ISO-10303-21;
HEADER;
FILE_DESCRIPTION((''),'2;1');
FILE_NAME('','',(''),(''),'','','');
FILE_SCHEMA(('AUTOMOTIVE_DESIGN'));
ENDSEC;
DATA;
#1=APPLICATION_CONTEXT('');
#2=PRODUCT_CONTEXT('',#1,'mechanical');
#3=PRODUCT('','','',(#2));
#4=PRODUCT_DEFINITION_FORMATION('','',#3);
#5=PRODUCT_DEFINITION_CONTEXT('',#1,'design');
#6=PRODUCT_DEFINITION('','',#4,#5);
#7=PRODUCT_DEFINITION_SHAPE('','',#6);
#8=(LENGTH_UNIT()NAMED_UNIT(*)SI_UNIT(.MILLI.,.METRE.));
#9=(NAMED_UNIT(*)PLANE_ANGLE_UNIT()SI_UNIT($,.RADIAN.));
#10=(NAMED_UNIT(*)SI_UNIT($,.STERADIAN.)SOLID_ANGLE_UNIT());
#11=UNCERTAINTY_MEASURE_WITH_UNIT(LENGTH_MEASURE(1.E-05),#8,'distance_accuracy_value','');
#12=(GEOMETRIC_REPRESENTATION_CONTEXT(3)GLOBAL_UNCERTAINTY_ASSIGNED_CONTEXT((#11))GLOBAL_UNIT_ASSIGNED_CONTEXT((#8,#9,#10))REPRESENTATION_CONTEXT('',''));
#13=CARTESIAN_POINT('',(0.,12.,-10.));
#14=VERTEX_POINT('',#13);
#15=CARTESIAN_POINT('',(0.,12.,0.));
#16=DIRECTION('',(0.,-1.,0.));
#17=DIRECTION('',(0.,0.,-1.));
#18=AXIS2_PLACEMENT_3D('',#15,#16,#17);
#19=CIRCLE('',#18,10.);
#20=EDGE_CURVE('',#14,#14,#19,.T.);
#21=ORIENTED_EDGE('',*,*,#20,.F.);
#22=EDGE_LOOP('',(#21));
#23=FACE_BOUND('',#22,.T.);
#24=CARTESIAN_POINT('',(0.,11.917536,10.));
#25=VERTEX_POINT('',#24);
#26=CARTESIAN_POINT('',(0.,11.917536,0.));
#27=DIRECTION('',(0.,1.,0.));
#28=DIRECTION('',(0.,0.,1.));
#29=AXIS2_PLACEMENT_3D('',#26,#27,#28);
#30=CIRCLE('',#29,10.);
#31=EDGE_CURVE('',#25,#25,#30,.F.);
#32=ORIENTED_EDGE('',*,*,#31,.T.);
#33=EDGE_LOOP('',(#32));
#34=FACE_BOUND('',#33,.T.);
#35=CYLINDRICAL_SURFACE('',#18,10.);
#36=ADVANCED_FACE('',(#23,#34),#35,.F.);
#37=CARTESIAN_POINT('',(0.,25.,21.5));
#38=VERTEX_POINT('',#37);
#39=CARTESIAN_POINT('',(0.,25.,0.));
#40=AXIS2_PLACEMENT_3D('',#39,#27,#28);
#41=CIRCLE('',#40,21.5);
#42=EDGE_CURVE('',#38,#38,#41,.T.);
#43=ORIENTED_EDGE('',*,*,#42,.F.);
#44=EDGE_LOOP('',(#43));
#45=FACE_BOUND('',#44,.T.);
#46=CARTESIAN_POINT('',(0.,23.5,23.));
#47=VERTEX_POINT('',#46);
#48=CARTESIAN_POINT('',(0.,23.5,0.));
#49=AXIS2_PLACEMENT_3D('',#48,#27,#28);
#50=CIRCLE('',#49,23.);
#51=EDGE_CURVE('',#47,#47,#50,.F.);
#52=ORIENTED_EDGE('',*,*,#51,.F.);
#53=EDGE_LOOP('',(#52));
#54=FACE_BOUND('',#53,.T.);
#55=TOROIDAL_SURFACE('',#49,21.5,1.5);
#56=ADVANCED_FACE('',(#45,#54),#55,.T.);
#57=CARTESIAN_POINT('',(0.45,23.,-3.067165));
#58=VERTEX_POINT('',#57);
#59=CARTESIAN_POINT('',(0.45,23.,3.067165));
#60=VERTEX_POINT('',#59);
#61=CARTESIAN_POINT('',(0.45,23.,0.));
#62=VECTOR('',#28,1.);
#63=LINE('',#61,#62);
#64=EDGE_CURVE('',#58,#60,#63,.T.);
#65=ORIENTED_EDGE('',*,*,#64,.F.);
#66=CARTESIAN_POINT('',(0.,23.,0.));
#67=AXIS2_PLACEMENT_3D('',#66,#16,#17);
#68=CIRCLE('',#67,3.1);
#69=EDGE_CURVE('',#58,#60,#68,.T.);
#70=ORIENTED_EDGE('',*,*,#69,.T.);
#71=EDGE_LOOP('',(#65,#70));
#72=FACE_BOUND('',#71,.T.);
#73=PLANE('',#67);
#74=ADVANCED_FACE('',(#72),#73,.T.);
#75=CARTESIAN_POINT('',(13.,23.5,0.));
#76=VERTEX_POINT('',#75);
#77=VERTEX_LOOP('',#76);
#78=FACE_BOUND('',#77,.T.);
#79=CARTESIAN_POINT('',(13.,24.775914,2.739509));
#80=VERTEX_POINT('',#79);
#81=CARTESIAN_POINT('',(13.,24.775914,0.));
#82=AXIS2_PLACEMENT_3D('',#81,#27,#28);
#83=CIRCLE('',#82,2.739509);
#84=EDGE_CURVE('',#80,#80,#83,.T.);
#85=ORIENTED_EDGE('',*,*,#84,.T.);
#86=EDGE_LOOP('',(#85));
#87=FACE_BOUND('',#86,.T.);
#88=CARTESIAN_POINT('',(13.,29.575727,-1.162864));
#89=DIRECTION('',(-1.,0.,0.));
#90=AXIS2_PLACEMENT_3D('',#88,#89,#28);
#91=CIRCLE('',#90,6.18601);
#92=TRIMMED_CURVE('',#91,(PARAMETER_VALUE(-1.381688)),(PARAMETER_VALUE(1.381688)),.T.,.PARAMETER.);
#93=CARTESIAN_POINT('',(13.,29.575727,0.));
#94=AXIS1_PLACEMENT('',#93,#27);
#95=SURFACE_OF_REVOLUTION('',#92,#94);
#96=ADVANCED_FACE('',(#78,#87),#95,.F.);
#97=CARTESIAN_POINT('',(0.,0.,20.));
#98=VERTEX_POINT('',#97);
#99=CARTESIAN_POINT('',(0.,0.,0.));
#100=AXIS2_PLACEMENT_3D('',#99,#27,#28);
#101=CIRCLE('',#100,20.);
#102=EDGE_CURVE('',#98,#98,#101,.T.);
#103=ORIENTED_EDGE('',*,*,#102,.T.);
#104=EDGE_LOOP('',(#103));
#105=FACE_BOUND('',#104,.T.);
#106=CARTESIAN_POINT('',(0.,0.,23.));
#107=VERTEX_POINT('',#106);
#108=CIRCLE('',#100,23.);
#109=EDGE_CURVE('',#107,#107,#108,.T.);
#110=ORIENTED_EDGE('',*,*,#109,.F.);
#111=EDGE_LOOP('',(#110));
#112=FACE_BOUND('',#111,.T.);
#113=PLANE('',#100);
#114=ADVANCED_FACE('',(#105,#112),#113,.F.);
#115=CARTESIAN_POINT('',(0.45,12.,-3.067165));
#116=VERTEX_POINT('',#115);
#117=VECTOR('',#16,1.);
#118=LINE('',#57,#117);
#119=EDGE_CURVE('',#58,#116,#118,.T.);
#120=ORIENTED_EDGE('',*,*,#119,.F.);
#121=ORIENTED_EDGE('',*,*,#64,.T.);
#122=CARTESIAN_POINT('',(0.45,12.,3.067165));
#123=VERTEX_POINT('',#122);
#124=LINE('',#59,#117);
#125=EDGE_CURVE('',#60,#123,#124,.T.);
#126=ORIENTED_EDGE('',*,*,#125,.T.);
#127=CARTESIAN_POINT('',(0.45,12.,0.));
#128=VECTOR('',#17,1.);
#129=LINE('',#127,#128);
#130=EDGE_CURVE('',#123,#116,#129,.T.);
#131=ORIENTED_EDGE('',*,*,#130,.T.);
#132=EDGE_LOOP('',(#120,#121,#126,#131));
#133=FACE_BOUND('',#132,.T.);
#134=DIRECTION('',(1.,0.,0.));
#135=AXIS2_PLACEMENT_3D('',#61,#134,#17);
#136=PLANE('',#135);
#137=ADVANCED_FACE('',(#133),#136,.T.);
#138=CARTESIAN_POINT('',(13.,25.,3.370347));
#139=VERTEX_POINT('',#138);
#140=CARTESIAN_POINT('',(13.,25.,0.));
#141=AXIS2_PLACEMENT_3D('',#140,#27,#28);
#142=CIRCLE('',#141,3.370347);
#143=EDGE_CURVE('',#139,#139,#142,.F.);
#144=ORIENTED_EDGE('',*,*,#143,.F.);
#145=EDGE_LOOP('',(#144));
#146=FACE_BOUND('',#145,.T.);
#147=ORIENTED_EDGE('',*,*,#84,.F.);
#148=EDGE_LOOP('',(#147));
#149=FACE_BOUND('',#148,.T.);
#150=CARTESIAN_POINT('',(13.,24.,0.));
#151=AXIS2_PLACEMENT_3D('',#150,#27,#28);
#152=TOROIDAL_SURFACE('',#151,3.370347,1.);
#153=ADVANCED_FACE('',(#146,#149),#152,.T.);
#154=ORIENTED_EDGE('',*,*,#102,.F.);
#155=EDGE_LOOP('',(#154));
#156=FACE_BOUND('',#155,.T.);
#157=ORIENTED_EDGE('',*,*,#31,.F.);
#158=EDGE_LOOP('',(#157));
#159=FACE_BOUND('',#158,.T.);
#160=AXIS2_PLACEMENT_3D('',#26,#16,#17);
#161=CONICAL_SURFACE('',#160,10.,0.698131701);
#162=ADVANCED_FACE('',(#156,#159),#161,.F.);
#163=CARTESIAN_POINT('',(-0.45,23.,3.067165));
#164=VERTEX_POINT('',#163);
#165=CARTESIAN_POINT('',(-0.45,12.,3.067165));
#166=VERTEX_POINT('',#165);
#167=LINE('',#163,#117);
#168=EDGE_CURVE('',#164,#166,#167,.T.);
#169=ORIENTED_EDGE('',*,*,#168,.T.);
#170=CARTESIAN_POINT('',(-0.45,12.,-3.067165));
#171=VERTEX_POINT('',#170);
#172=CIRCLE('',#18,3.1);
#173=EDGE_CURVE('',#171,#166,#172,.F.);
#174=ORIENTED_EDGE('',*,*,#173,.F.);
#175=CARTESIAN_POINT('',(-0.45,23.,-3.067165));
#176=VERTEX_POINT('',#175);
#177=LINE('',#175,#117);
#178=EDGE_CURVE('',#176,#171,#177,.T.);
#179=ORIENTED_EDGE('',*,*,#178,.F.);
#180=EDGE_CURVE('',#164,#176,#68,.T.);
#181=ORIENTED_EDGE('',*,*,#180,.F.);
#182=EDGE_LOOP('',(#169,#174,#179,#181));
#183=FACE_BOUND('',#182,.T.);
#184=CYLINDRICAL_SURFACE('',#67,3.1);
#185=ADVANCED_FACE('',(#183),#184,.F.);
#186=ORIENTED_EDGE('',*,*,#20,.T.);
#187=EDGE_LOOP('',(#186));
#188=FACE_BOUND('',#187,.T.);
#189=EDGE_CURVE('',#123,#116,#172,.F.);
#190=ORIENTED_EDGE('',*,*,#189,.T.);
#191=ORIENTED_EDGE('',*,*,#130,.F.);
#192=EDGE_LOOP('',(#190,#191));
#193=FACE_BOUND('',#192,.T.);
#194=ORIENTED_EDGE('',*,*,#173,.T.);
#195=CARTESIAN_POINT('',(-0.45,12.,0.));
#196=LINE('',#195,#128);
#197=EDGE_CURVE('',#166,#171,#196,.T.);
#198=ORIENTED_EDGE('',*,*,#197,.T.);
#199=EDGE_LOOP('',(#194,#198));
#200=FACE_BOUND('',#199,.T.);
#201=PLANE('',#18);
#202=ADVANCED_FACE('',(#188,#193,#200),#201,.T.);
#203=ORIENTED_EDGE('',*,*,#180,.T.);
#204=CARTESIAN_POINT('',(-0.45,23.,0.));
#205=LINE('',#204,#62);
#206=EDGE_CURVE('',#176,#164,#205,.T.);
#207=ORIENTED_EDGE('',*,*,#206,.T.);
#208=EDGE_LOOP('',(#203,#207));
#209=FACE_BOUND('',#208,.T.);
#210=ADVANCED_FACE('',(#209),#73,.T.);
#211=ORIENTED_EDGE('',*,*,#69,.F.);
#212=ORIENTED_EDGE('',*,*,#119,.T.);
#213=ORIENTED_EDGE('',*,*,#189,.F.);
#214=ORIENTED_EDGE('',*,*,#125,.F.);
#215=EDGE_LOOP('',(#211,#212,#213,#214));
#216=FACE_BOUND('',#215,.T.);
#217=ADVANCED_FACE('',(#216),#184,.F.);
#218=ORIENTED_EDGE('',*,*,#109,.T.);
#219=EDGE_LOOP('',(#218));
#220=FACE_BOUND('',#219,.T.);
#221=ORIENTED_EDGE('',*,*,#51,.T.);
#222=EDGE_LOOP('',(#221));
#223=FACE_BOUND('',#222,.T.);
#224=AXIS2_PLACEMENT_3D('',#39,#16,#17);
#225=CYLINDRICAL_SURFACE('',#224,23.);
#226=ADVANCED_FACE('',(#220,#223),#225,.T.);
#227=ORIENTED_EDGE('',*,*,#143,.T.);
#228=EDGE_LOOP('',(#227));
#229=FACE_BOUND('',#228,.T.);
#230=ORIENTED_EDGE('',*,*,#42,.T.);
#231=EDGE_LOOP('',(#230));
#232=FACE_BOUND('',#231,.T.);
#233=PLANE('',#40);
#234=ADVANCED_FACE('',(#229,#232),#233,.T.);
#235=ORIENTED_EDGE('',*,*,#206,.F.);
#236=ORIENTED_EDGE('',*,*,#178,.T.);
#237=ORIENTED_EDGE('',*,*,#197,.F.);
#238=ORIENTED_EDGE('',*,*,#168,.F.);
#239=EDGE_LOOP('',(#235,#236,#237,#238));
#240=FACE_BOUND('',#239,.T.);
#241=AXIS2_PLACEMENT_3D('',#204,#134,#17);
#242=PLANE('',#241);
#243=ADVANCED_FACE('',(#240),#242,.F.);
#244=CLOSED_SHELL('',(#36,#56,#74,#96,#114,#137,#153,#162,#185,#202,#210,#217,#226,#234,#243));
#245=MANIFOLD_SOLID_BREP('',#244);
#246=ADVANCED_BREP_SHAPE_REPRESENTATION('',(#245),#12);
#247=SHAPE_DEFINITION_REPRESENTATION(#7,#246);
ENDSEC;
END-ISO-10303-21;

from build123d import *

# Parameters (mm, degrees)
SKETCH1_R           = 23
BOSS_EXTRUDE1_DEPTH = 25
CUT_EXTRUDE1_DEPTH  = 23
SKETCH4_R           = 10
CUT_EXTRUDE2_DEPTH  = 12
CHAMFER1_SIZE       = 10
CHAMFER1_SIZE2      = 11.917535926
FILLET1_R           = 1.5
FILLET2_R           = 1


with BuildPart() as part:
    # Sketch1 → Boss-Extrude1 (new body)
    with BuildSketch(Plane(origin=(0, 0, 0), x_dir=(1, 0, 0), z_dir=(0, 1, 0))):
        with Locations(Location((0, 0, 0), (0, 0, 270))):
            Circle(SKETCH1_R)
    extrude(amount=BOSS_EXTRUDE1_DEPTH)

    # Sketch3 → Cut-Extrude1 (cut)
    with BuildSketch(Plane(origin=(0, 0, 0), x_dir=(-1, 0, 0), z_dir=(0, -1, 0))):
        with BuildLine():
            Line((-0.45, -3.067164815), (-0.45, 3.067164815))
            ThreePointArc((-0.45, 3.067164815), (-3.1, 0), (-0.45, -3.067164815))
        make_face()
        with BuildLine():
            ThreePointArc((3.1, 0), (2.345740821, 2.02669682), (0.45, 3.067164815))
            Line((0.45, 3.067164815), (0.45, -3.067164815))
            ThreePointArc((0.45, -3.067164815), (2.345740821, -2.02669682), (3.1, 0))
        make_face()
    extrude(amount=-CUT_EXTRUDE1_DEPTH, mode=Mode.SUBTRACT)

    # Sketch4 → Cut-Extrude2 (cut)
    with BuildSketch(Plane(origin=(0, 0, 0), x_dir=(-1, 0, 0), z_dir=(0, -1, 0))):
        with Locations(Location((0, 0, 0), (0, 0, 90))):
            Circle(SKETCH4_R)
    extrude(amount=-CUT_EXTRUDE2_DEPTH, mode=Mode.SUBTRACT)

    # Chamfer1
    chamfer1_edges = [part.edges().sort_by_distance(p)[0] for p in [
        (0, 0, 10),
    ]]
    chamfer1_side = [part.faces().sort_by_distance(p)[0] for p in [
        (0, 0, -22.349461761),
    ]]
    chamfer(chamfer1_edges, length=CHAMFER1_SIZE, length2=CHAMFER1_SIZE2, reference=chamfer1_side[0])

    # Fillet1
    fillet1_edges = [part.edges().sort_by_distance(p)[0] for p in [
        (0, 25, -23),
    ]]
    fillet(fillet1_edges, radius=FILLET1_R)

    # Sketch5 → Cut-Revolve1 (revolve, cut)
    with BuildSketch(Plane.XY):
        with BuildLine():
            Line((13, 25), (13, 23.5))
            ThreePointArc((13, 23.5), (14.60360392, 24.042792159), (16, 25))
            Line((16, 25), (13, 25))
        make_face()
    revolve(axis=Axis((13, 25, 0), (0, -1, 0)), mode=Mode.SUBTRACT)

    # Fillet2
    fillet2_edges = [part.edges().sort_by_distance(p)[0] for p in [
        (10, 25, 0),
    ]]
    fillet(fillet2_edges, radius=FILLET2_R)


solid = part.part
